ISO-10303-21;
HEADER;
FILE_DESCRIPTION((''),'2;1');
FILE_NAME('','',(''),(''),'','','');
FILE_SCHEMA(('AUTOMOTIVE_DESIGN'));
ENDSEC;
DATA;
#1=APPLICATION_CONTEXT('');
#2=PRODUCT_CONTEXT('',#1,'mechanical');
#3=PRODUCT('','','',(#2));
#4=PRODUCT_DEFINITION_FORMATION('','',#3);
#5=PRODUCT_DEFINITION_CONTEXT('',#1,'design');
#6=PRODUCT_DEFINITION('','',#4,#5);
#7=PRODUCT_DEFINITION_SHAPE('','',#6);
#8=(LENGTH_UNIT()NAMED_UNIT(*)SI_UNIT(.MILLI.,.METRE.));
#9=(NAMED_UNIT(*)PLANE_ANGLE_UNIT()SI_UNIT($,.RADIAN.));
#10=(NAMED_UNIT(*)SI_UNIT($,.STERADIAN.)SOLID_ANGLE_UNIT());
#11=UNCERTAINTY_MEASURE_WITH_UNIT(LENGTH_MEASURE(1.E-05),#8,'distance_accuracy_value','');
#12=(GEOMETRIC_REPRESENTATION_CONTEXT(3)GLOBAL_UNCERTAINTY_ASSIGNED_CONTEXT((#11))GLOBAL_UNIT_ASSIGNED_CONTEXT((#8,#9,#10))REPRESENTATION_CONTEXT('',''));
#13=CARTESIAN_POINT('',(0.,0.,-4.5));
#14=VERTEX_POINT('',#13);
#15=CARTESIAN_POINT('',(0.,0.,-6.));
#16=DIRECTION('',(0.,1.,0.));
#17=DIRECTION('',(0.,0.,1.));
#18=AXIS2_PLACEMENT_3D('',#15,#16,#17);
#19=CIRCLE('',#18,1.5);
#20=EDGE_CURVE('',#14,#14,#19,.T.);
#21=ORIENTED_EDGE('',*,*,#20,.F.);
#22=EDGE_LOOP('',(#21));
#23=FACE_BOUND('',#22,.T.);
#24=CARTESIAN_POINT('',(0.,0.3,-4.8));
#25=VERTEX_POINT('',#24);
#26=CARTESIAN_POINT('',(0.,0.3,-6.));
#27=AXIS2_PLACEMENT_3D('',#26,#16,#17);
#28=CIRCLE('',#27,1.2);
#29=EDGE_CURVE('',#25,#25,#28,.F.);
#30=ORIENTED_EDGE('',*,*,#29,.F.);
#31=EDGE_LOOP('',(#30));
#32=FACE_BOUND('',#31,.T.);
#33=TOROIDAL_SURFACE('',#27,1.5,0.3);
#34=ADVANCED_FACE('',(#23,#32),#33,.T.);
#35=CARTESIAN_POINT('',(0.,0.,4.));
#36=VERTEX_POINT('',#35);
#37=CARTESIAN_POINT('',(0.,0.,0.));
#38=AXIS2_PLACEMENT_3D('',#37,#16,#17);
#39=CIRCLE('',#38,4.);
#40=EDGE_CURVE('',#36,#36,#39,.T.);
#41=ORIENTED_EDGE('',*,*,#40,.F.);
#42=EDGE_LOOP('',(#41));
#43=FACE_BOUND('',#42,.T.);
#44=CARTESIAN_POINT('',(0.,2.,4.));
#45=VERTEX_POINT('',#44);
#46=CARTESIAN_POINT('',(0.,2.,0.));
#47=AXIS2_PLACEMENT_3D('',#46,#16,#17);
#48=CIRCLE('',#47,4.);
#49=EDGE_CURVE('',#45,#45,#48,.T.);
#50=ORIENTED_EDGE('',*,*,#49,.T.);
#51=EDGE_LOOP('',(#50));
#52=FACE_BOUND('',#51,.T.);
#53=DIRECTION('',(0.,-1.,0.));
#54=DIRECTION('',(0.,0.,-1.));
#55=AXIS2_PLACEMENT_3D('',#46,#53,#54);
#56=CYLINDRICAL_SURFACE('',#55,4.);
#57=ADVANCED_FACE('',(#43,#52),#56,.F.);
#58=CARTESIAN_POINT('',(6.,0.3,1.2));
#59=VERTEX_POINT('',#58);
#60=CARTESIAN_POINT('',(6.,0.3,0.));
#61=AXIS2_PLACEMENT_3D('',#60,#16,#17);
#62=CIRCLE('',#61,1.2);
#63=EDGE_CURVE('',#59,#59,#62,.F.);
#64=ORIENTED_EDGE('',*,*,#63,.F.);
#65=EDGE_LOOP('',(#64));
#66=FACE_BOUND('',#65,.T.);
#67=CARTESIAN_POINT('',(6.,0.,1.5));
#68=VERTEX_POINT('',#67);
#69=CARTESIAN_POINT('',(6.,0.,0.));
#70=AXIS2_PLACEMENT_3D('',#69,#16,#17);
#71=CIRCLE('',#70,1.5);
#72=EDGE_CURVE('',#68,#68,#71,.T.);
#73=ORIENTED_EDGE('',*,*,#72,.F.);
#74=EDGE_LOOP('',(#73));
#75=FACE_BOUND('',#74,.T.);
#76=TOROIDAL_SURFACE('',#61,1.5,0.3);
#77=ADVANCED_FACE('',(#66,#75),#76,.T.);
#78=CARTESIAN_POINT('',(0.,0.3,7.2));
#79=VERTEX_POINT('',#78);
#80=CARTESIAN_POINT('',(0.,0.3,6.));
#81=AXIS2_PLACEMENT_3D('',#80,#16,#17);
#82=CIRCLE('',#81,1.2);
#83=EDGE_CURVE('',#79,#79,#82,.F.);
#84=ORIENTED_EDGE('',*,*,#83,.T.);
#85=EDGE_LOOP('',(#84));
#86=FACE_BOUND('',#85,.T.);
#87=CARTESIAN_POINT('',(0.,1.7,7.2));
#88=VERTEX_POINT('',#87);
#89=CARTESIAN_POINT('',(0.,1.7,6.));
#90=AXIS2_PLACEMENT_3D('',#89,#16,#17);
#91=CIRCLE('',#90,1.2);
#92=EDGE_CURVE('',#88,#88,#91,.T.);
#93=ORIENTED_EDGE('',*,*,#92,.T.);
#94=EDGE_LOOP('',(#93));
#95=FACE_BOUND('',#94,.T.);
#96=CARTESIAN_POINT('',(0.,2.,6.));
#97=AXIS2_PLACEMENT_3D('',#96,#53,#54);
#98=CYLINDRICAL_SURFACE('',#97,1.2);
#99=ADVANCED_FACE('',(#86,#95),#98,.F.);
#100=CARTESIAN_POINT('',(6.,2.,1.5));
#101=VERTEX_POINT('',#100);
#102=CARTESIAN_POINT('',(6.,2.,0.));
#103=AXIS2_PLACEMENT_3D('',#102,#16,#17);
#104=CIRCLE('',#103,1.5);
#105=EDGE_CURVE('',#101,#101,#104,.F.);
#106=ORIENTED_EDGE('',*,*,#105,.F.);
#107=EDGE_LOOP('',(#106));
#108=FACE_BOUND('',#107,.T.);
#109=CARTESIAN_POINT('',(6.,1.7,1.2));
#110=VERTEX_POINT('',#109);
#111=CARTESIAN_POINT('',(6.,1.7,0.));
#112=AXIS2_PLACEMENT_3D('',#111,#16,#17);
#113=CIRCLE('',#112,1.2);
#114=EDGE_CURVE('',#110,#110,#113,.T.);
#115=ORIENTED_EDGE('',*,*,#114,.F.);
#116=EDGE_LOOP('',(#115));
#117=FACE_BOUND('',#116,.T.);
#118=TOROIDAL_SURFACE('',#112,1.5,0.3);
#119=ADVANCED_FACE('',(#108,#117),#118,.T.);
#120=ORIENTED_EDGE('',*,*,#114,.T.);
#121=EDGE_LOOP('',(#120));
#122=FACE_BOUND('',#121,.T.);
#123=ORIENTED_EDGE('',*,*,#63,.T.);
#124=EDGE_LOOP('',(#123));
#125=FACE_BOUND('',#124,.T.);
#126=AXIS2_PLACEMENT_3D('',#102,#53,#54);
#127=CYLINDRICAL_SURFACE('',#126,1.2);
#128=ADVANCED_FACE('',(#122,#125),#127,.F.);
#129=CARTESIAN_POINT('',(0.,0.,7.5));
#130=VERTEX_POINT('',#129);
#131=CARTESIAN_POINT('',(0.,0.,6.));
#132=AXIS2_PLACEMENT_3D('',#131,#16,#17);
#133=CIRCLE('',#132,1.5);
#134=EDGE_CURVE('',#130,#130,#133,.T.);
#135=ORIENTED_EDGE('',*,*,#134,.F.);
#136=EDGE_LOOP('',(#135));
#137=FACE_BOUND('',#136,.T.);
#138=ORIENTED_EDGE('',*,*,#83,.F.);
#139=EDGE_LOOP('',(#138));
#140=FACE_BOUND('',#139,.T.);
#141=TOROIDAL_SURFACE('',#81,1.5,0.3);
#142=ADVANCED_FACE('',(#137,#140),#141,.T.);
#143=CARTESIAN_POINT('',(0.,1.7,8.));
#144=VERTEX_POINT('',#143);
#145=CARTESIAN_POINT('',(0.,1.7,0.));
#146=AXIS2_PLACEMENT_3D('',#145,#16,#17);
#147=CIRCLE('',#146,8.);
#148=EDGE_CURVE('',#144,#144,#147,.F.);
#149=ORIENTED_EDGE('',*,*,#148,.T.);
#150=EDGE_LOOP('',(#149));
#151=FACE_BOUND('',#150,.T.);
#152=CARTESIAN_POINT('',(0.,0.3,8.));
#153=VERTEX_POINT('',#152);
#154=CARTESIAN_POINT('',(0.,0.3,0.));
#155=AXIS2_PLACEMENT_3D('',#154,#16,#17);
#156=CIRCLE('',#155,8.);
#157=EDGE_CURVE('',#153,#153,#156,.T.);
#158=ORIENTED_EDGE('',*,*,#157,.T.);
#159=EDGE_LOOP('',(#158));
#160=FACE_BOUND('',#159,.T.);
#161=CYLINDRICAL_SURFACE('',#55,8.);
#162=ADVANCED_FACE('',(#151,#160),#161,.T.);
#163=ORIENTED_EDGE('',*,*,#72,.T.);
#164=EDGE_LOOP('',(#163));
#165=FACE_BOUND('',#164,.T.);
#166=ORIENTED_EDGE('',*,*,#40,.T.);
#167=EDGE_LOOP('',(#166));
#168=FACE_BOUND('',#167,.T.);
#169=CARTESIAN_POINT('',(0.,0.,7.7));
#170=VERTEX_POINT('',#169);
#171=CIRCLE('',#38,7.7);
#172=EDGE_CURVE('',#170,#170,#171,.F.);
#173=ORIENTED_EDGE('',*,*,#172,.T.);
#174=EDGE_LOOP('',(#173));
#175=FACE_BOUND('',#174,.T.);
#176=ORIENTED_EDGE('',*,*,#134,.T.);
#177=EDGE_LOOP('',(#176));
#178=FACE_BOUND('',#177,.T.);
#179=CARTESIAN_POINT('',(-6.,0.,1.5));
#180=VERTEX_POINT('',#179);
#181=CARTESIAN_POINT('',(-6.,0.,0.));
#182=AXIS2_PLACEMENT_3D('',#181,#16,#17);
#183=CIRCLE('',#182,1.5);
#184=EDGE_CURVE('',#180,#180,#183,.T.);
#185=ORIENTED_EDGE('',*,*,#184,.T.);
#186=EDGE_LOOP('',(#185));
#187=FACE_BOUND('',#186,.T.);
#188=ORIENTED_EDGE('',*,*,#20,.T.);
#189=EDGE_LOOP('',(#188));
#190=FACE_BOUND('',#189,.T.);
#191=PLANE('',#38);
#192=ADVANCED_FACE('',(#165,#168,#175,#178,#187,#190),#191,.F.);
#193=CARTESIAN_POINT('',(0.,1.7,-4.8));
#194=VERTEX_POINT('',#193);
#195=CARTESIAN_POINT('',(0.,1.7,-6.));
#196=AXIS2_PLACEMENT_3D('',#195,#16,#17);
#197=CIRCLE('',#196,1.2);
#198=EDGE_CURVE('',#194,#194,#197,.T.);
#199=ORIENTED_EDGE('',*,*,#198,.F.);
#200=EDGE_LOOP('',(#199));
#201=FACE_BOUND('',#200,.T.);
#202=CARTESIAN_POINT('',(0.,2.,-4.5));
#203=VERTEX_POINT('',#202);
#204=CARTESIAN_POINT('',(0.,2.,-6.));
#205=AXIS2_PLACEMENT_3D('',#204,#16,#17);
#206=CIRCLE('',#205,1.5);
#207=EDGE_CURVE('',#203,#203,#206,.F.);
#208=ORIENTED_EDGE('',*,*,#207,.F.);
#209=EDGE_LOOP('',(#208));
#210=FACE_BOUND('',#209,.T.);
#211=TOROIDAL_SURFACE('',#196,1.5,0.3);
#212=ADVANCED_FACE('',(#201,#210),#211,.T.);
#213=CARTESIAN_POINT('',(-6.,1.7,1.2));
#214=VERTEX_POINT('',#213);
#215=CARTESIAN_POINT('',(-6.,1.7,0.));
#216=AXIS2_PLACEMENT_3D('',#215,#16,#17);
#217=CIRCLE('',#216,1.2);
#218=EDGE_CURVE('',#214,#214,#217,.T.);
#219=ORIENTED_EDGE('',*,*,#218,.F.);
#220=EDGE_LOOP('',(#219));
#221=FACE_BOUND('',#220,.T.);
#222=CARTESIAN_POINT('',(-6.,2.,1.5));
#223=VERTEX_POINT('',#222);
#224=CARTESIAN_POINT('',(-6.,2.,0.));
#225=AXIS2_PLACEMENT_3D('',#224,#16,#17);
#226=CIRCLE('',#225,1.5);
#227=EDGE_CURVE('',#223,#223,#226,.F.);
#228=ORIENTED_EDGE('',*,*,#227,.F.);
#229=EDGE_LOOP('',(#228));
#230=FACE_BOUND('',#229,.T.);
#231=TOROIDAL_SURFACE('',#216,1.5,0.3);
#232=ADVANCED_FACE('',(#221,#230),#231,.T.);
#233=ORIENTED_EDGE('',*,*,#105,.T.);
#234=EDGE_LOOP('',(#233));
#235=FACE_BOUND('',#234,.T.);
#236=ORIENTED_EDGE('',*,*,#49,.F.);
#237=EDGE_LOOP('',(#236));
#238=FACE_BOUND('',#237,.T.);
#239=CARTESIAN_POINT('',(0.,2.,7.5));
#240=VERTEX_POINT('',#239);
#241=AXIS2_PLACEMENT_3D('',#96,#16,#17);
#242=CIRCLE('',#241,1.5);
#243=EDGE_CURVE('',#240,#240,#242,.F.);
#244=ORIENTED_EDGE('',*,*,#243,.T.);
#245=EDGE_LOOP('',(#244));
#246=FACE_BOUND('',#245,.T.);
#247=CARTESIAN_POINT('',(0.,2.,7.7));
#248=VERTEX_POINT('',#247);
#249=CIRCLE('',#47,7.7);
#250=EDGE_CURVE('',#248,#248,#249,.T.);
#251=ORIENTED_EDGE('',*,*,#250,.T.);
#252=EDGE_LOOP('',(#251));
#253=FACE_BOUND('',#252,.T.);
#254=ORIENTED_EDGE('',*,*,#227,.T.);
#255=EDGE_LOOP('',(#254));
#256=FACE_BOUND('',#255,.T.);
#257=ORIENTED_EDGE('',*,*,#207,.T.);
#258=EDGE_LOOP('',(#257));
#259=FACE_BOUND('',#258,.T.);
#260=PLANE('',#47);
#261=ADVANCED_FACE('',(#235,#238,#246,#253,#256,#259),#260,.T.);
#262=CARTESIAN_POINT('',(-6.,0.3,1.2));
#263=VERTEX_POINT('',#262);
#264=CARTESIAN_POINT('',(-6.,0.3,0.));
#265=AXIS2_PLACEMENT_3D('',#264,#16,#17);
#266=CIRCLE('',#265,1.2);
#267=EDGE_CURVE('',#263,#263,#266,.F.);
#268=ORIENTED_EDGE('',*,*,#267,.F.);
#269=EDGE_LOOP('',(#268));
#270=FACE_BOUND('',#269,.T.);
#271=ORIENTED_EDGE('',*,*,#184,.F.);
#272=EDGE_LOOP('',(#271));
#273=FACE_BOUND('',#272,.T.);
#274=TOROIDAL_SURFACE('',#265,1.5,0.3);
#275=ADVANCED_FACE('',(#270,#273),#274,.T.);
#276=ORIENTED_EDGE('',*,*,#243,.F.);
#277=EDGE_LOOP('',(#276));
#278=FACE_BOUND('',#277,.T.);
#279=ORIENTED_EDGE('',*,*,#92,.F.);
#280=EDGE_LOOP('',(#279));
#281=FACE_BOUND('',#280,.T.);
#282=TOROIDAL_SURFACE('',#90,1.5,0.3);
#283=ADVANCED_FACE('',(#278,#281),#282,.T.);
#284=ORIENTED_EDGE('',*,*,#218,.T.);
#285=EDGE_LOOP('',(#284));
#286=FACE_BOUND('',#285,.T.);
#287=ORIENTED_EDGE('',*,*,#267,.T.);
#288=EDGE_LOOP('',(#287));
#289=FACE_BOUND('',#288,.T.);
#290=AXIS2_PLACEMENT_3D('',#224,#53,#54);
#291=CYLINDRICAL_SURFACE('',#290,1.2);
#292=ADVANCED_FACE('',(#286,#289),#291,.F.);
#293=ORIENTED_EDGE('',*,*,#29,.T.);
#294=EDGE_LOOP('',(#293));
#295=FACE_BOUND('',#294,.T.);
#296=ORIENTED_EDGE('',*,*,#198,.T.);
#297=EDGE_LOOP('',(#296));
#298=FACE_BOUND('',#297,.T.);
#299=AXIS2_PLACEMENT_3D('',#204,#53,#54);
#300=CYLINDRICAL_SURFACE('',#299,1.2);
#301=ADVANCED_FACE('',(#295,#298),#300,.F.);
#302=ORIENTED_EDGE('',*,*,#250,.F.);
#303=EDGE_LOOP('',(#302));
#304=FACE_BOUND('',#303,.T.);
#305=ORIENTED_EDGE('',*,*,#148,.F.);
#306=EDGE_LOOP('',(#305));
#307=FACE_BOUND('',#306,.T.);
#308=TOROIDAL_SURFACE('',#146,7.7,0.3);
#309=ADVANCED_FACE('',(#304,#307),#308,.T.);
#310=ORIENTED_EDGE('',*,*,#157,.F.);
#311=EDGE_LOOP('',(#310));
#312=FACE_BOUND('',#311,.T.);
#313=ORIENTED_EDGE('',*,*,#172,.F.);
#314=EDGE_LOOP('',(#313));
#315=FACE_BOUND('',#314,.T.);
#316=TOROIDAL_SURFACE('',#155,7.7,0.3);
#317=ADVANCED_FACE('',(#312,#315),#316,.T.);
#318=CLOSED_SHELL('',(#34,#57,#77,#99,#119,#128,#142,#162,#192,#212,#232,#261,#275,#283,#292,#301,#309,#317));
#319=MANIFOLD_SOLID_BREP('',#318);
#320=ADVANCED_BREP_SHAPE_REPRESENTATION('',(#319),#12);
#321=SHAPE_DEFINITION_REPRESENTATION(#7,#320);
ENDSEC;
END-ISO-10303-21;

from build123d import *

# Parameters (mm, degrees)
SKETCH_1_R      = 8
SKETCH_1_R_2    = 1.2
SKETCH_1_R_3    = 4
EXTRUDE_1_DEPTH = 2
FILLET_1_R      = 0.3
FILLET_2_R      = 0.3


with BuildPart() as part:
    # 草图1 → 凸台-拉伸1 (new body)
    with BuildSketch(Plane(origin=(0, 0, 0), x_dir=(1, 0, 0), z_dir=(0, 1, 0))):
        with Locations(Location((0, 0, 0), (0, 0, 270))):
            Circle(SKETCH_1_R)
        with Locations(Location((0, 6, 0), (0, 0, 270))):
            Circle(SKETCH_1_R_2, mode=Mode.SUBTRACT)
        with Locations(Location((0, 0, 0), (0, 0, 270))):
            Circle(SKETCH_1_R_3, mode=Mode.SUBTRACT)
        with Locations(Location((6, 0, 0), (0, 0, 270))):
            Circle(SKETCH_1_R_2, mode=Mode.SUBTRACT)
        with Locations(Location((0, -6, 0), (0, 0, 270))):
            Circle(SKETCH_1_R_2, mode=Mode.SUBTRACT)
        with Locations(Location((-6, 0, 0), (0, 0, 270))):
            Circle(SKETCH_1_R_2, mode=Mode.SUBTRACT)
    extrude(amount=EXTRUDE_1_DEPTH)

    # 圆角1
    fillet_1_edges = [part.edges().sort_by_distance(p)[0] for p in [
        (6, 0, -1.2),
        (6, 2, -1.2),
        (0, 0, 4.8),
        (0, 2, 4.8),
        (-6, 0, -1.2),
        (-6, 2, -1.2),
        (0, 0, -7.2),
        (0, 2, -7.2),
    ]]
    fillet(fillet_1_edges, radius=FILLET_1_R)

    # 圆角2
    fillet_2_edges = [part.edges().sort_by_distance(p)[0] for p in [
        (0, 0, -8),
        (0, 2, -8),
    ]]
    fillet(fillet_2_edges, radius=FILLET_2_R)


solid = part.part
